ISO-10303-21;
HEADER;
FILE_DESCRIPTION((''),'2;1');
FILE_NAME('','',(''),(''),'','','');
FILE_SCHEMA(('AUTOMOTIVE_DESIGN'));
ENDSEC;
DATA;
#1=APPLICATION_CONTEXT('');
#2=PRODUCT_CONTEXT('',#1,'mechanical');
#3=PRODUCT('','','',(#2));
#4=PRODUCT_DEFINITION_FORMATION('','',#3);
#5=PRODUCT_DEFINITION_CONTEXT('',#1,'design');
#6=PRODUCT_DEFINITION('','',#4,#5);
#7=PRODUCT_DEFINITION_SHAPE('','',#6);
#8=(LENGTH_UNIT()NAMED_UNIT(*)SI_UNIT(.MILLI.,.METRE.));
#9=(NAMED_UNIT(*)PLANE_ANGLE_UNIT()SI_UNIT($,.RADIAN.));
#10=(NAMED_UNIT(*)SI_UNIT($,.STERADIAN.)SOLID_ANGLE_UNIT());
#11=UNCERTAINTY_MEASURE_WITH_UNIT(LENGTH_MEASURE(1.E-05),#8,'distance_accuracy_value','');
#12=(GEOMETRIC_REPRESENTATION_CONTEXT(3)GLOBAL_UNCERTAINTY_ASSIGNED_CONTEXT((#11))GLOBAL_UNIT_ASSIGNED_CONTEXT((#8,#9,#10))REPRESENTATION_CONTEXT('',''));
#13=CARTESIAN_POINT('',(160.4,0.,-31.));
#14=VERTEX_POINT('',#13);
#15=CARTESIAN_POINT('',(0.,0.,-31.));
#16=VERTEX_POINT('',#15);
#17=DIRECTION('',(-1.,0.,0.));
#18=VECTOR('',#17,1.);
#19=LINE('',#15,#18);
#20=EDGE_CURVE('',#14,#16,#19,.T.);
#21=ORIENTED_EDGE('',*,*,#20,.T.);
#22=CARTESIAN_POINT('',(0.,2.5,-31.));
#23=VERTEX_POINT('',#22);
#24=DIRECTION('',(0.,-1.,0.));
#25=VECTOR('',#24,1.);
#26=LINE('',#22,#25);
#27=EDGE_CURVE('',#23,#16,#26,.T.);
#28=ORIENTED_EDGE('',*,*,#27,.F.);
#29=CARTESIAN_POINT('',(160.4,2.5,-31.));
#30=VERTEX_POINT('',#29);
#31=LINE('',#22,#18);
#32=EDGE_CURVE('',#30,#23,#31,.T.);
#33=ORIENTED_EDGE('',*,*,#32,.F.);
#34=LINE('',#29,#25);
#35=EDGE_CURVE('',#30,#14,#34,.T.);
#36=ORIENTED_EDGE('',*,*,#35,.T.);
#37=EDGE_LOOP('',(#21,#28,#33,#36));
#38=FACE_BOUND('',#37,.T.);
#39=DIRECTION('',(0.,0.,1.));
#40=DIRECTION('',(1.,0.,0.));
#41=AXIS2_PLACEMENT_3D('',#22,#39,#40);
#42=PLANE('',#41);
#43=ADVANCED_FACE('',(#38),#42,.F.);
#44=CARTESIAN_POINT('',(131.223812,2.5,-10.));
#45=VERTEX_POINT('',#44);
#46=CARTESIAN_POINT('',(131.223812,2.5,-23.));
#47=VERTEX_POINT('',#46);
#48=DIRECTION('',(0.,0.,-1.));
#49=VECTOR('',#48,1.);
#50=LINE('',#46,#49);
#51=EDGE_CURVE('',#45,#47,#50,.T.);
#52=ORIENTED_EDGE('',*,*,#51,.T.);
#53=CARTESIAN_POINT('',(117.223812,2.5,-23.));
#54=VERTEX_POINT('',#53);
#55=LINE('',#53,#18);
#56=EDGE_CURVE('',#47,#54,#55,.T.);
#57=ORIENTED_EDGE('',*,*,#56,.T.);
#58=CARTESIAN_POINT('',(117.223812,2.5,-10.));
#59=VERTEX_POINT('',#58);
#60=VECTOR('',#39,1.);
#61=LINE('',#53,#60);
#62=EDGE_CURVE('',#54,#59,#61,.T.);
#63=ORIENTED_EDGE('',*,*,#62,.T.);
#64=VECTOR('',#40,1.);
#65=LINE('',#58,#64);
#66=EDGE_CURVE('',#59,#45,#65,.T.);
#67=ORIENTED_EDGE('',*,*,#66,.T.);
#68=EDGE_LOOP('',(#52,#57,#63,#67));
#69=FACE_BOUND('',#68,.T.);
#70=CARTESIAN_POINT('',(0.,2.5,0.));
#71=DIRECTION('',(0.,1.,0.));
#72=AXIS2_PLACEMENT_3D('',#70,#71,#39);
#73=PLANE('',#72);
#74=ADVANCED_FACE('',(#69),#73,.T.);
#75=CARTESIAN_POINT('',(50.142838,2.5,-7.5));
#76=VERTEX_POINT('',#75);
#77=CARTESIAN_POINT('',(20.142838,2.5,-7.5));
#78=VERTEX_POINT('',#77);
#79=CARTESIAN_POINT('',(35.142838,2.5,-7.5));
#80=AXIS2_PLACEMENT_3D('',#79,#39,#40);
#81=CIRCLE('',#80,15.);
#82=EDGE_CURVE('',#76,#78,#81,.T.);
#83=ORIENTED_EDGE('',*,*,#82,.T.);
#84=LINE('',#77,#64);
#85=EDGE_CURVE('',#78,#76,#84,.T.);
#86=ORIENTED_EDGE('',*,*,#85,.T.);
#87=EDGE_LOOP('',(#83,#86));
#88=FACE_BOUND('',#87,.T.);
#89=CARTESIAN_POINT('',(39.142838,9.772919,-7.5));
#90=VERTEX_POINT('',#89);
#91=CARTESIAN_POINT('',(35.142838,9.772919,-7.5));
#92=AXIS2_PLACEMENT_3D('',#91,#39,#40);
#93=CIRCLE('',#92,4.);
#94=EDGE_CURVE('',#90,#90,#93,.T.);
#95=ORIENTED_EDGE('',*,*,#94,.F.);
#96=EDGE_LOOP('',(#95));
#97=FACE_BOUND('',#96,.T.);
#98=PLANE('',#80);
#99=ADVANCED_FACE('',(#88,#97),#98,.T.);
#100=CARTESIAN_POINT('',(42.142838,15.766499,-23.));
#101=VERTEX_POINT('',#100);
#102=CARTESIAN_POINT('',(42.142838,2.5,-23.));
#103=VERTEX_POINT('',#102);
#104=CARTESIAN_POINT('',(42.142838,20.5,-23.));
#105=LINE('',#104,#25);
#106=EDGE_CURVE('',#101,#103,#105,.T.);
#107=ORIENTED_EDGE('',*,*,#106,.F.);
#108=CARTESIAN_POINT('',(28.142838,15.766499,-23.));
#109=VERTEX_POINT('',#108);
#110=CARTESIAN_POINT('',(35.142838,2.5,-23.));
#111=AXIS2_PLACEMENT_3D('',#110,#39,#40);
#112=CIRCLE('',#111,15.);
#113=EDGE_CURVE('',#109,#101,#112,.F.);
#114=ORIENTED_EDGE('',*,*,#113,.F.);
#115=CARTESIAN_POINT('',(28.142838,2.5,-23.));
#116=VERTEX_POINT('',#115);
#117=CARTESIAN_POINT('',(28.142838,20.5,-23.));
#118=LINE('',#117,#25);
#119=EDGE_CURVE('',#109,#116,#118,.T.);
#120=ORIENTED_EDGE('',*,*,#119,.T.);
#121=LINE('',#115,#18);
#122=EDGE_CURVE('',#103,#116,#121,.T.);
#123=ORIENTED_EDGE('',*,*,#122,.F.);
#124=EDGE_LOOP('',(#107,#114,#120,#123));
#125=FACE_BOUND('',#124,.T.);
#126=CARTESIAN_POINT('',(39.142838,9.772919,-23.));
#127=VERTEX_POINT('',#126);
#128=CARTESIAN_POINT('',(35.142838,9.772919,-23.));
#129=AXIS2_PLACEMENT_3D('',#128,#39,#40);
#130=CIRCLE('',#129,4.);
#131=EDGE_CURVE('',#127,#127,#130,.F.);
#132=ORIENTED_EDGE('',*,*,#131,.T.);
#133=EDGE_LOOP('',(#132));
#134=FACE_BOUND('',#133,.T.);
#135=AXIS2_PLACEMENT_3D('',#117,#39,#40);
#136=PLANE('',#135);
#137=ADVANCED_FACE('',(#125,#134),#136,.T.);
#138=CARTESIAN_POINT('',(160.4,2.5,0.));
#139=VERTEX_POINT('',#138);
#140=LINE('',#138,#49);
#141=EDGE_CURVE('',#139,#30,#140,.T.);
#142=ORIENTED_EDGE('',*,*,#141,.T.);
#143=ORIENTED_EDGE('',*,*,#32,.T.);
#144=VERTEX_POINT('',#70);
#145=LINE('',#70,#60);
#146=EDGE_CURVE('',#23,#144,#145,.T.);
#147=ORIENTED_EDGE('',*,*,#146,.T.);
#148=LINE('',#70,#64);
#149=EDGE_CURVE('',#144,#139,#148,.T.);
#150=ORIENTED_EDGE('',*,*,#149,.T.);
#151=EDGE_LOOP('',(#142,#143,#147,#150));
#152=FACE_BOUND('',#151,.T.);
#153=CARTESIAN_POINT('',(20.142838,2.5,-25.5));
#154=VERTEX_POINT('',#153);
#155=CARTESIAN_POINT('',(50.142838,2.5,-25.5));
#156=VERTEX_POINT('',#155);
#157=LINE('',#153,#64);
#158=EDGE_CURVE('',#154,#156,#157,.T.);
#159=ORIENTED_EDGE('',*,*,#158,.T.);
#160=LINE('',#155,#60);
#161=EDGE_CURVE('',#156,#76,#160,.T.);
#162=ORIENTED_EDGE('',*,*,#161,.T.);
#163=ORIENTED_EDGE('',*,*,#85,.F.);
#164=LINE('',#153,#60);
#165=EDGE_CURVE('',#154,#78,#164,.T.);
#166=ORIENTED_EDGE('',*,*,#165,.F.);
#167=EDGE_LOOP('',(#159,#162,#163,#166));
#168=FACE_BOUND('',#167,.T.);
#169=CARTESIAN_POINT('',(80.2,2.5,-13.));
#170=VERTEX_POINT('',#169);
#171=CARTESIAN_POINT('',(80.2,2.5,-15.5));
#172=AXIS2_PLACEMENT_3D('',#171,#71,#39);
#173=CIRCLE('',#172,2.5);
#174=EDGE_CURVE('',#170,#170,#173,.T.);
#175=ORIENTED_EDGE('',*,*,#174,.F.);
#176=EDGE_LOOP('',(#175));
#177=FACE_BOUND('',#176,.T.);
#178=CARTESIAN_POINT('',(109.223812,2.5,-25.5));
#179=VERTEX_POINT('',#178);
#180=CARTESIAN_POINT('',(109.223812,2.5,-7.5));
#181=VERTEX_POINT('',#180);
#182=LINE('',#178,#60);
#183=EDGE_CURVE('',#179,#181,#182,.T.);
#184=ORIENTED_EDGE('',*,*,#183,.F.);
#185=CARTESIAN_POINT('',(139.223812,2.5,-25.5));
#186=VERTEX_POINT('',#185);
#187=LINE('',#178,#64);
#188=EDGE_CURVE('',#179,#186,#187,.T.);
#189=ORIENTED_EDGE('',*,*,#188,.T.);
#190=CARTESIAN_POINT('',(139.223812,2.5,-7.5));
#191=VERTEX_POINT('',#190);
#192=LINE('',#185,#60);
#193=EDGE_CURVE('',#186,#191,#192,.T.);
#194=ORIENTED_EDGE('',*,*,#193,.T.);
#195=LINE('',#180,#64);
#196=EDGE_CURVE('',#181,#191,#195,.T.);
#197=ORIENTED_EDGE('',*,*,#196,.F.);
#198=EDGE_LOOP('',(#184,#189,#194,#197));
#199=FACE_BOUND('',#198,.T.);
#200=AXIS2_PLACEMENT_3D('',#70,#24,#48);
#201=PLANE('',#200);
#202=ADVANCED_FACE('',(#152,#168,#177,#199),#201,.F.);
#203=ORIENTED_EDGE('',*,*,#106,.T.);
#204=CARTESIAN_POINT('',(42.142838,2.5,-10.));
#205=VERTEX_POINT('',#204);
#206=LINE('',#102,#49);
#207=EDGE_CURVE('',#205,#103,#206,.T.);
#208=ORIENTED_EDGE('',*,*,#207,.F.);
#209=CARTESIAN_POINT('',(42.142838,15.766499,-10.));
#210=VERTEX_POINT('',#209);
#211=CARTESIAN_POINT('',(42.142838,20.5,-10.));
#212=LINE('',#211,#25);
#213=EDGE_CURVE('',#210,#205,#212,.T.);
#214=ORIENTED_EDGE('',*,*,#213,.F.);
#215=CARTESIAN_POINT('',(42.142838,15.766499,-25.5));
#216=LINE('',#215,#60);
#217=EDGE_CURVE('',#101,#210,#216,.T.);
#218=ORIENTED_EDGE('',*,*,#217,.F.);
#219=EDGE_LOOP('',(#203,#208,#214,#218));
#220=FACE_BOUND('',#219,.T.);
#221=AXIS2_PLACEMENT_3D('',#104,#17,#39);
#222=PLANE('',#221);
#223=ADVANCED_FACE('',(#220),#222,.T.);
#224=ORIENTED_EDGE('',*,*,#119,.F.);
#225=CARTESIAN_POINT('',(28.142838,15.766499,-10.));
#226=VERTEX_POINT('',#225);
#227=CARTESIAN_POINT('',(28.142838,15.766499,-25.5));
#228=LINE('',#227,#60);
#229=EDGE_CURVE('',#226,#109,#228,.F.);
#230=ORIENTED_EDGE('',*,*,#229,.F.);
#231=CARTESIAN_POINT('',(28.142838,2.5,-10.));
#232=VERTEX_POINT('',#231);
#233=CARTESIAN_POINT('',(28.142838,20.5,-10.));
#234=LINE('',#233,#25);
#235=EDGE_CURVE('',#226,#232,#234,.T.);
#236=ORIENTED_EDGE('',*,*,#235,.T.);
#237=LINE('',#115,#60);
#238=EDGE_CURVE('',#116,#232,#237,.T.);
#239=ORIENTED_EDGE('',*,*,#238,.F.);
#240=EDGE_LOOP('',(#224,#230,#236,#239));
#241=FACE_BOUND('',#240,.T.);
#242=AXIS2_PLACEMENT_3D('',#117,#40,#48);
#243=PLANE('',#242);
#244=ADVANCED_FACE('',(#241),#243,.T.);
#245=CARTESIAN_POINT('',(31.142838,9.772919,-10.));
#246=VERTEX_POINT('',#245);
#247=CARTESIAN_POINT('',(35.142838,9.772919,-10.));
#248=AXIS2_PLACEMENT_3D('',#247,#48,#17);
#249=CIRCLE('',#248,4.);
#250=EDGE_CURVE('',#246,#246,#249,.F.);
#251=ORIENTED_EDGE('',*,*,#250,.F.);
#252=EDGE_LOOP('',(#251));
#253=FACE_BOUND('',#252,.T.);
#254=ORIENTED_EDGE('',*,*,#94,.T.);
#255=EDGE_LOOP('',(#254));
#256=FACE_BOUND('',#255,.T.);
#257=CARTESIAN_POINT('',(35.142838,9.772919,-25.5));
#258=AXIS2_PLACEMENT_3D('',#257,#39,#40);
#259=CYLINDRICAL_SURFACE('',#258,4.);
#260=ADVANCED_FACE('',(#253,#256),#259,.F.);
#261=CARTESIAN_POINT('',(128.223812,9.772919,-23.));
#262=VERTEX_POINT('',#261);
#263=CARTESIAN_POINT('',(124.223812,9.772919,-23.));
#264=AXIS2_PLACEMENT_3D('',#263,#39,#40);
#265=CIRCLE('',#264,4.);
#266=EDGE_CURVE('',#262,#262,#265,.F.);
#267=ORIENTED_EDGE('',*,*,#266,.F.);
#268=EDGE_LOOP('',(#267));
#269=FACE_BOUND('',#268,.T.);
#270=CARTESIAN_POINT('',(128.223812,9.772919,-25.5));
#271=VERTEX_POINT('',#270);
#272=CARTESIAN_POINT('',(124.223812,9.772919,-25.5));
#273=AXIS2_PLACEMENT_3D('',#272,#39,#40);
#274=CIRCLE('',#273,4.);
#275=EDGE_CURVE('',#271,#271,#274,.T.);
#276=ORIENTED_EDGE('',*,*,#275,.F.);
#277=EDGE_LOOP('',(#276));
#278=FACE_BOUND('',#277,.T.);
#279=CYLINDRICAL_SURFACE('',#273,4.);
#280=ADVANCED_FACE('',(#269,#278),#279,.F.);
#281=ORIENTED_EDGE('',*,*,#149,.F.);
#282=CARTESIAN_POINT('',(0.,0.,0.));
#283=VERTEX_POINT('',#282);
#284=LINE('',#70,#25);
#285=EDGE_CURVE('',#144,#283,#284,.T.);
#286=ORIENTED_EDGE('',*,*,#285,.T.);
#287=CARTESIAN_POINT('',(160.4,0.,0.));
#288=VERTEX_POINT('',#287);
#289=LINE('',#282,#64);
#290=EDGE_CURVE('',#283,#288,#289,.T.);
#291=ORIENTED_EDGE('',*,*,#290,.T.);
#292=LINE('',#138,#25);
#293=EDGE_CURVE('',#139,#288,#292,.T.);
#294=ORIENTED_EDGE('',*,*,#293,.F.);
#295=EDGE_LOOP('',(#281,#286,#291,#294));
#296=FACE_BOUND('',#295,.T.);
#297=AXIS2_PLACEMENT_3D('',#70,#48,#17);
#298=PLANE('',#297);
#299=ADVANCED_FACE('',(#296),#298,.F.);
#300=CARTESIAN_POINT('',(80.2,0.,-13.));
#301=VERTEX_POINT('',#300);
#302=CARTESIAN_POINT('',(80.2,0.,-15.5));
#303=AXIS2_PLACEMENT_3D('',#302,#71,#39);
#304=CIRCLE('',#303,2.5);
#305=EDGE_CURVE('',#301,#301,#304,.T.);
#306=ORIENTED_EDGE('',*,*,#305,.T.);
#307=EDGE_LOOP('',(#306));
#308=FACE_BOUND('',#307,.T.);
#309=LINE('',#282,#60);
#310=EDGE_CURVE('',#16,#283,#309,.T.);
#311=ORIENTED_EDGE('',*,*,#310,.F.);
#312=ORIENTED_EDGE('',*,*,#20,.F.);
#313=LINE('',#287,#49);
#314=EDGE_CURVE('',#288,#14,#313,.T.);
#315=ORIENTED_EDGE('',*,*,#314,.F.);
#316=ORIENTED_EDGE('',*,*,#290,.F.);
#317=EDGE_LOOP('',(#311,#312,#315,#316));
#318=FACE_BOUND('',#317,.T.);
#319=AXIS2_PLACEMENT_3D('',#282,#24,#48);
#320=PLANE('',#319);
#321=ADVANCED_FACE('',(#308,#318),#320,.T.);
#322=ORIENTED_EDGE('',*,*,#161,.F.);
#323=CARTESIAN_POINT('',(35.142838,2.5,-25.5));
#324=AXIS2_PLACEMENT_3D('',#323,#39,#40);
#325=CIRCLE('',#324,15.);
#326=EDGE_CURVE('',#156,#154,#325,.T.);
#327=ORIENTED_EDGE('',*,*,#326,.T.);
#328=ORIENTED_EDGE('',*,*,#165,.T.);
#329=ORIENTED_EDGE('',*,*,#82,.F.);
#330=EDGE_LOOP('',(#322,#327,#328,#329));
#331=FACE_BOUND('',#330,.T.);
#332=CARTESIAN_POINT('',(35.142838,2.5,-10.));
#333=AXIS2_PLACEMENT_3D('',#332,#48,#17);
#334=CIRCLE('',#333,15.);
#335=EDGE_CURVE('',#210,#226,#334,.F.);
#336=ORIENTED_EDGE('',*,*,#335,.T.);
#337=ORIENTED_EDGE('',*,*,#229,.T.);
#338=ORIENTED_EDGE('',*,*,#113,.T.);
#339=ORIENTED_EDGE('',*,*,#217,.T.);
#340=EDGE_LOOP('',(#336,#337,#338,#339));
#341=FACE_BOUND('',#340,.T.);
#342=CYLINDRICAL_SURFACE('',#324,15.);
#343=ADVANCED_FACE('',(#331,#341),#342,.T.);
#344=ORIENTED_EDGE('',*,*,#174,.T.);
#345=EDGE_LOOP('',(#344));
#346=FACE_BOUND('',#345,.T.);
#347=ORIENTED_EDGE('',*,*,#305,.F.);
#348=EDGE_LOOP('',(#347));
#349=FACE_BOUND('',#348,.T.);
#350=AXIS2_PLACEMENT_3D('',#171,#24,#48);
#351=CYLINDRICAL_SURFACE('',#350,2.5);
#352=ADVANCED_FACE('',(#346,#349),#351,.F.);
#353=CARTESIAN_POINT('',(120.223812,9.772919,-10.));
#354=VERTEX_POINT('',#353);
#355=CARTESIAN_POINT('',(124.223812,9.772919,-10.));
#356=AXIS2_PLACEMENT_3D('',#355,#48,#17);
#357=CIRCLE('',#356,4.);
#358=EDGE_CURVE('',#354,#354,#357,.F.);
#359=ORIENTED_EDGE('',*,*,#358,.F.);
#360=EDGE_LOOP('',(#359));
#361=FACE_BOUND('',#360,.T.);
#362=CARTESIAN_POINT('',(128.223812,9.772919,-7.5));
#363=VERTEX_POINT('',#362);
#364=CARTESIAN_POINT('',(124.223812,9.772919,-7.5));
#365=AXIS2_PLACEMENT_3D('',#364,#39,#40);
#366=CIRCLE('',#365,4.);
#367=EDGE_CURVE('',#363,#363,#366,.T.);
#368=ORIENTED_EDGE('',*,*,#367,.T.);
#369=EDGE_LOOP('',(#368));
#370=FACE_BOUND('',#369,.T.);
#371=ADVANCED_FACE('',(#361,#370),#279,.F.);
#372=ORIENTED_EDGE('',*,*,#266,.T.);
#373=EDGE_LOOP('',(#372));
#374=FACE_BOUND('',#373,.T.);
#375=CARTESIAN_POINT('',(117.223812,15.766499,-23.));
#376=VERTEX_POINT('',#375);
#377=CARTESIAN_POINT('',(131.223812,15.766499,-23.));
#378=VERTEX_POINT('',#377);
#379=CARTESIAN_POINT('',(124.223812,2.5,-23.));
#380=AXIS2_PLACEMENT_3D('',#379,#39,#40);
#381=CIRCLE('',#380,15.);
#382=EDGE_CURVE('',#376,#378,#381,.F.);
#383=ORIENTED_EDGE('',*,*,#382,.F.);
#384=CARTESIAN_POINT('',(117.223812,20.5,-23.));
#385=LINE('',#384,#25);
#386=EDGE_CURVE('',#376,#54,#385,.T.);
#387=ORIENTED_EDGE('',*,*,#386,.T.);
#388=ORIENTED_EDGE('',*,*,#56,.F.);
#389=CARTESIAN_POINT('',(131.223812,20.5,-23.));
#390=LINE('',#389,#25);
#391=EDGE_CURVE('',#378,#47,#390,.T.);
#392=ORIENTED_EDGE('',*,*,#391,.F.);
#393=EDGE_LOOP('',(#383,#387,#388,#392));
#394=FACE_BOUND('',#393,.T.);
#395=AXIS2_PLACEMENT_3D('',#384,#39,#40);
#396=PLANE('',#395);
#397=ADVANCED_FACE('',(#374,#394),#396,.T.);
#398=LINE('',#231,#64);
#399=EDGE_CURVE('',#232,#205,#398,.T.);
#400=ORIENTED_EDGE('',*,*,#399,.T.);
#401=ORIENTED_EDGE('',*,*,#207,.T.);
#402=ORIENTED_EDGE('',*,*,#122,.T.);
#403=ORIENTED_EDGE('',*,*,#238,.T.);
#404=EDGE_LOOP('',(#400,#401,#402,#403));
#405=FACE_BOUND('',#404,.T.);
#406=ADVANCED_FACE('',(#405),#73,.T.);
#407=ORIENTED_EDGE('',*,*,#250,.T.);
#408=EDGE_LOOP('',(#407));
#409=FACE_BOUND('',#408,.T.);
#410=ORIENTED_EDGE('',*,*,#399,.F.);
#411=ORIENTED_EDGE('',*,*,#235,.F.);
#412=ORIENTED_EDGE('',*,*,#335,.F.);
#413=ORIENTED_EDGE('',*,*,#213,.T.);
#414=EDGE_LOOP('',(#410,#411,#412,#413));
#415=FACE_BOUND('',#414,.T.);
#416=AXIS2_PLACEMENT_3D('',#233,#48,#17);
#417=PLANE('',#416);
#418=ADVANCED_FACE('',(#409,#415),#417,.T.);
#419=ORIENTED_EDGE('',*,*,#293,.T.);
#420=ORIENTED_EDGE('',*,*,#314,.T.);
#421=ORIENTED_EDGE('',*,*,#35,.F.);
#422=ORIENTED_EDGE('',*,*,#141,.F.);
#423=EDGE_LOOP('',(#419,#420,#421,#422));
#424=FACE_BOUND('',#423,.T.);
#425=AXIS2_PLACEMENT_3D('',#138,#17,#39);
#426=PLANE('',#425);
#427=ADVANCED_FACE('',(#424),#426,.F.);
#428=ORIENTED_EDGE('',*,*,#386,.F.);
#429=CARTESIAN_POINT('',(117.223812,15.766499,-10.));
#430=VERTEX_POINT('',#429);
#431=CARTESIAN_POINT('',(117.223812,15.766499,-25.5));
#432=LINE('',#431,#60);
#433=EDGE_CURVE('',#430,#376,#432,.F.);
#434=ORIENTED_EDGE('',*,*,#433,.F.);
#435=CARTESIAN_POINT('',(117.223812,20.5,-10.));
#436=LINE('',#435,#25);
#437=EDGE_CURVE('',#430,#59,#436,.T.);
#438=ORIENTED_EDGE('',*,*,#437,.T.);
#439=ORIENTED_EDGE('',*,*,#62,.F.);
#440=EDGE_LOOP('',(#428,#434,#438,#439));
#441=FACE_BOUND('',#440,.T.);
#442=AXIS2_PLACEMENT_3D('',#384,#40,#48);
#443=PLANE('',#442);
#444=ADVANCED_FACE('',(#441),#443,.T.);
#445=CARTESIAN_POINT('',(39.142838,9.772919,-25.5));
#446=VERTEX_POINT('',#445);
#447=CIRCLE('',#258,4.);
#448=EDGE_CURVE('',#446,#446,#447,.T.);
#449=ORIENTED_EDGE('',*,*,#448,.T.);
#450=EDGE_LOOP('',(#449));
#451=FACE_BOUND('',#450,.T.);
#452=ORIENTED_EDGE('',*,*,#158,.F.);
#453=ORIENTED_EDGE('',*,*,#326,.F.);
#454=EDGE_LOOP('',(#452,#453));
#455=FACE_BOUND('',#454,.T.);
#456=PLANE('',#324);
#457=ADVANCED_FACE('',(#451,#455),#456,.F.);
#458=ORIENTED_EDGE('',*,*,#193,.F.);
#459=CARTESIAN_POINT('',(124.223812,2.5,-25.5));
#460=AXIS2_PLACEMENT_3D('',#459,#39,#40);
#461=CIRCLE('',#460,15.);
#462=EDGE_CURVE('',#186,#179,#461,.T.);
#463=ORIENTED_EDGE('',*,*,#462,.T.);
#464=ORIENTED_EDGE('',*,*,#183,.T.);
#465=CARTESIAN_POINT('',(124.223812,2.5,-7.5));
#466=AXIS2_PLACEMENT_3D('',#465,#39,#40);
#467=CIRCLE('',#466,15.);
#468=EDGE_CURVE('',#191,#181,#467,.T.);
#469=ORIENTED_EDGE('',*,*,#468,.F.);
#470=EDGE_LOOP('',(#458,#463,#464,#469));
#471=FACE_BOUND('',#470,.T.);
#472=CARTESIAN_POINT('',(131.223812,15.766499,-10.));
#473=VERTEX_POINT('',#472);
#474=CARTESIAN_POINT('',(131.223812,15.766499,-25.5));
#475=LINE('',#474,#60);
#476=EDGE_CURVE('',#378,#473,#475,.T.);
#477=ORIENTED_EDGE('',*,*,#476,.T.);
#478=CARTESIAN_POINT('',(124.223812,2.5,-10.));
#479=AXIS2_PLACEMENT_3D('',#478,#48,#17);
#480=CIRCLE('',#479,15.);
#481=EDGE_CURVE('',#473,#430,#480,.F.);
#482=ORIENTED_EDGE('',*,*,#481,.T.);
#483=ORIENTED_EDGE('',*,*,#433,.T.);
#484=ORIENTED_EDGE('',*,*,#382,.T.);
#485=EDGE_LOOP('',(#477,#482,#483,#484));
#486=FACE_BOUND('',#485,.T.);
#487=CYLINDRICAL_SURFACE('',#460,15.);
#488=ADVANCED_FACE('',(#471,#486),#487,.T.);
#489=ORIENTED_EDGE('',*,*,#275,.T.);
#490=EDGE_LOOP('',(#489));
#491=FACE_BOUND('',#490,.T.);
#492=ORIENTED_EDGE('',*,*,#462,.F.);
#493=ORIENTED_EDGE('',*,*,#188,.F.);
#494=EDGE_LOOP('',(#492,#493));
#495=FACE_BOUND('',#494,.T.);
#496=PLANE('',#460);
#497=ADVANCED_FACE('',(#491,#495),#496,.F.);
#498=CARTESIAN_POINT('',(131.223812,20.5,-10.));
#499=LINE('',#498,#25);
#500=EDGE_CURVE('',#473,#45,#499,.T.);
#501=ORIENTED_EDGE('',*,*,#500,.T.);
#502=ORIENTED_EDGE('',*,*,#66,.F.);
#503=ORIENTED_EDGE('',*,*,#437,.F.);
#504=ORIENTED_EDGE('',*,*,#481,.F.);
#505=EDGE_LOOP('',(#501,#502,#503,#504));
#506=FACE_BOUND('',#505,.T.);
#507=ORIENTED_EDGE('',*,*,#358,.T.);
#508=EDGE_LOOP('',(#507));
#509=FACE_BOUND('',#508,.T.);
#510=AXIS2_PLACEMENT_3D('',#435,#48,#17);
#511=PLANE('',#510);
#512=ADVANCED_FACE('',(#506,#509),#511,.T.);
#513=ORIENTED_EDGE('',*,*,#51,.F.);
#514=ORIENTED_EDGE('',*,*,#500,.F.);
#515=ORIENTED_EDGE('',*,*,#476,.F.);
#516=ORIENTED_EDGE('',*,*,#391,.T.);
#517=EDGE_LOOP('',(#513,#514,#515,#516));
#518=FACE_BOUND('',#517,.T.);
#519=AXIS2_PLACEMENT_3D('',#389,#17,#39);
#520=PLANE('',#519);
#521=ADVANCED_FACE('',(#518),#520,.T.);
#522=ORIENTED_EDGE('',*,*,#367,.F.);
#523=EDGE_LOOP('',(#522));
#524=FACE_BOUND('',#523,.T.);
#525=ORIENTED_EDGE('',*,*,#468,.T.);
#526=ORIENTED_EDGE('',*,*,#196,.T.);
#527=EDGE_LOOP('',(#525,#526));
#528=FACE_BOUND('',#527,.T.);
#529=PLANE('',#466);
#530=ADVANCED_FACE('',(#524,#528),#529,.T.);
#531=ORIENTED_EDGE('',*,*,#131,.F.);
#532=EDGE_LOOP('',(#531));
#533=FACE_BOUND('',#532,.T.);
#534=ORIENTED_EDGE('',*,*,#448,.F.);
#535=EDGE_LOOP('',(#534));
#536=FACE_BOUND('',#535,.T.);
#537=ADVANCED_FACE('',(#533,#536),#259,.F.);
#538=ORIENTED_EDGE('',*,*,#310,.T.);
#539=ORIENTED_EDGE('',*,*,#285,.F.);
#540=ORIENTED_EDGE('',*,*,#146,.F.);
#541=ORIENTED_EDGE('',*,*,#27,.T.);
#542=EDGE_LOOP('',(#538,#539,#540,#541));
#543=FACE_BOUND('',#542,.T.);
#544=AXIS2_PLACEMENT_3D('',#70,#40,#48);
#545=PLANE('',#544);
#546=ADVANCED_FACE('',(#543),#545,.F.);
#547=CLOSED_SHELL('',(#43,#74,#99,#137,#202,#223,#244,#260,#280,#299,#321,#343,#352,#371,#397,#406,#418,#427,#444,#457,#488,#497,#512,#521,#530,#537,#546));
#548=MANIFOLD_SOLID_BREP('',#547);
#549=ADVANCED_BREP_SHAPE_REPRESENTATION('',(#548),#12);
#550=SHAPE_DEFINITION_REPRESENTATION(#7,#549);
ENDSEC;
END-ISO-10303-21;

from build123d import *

# Parameters (mm, degrees)
SKETCH1_W           = 160.4
SKETCH1_H           = 31
SKETCH1_R           = 2.5
BOSS_EXTRUDE1_DEPTH = 2.5
BOSS_EXTRUDE2_START = -7.5
SKETCH2_R           = 4
BOSS_EXTRUDE2_DEPTH = 18
SKETCH3_W           = 14
SKETCH3_H           = 13
CUT_EXTRUDE1_DEPTH  = 18


with BuildPart() as part:
    # Sketch1 → Boss-Extrude1 (new body)
    with BuildSketch(Plane(origin=(0, 0, 0), x_dir=(1, 0, 0), z_dir=(0, 1, 0))):
        with Locations((80.2, 15.5)):
            Rectangle(SKETCH1_W, SKETCH1_H)
        with Locations((80.2, 15.5)):
            Circle(SKETCH1_R, mode=Mode.SUBTRACT)
    extrude(amount=BOSS_EXTRUDE1_DEPTH)

    # Sketch2 → Boss-Extrude2 (add)
    with BuildSketch(Plane.XY.offset(BOSS_EXTRUDE2_START)):
        with BuildLine():
            Line((20.142837701, 2.5), (50.142837701, 2.5))
            ThreePointArc((50.142837701, 2.5), (35.142837701, 17.5), (20.142837701, 2.5))
        make_face()
        with Locations((35.142837701, 9.772919339)):
            Circle(SKETCH2_R, mode=Mode.SUBTRACT)
        with BuildLine():
            Line((109.22381187, 2.5), (139.22381187, 2.5))
            ThreePointArc((139.22381187, 2.5), (124.22381187, 17.5), (109.22381187, 2.5))
        make_face()
        with Locations((124.22381187, 9.772919339)):
            Circle(SKETCH2_R, mode=Mode.SUBTRACT)
    extrude(amount=-BOSS_EXTRUDE2_DEPTH)

    # Sketch3 → Cut-Extrude1 (cut)
    with BuildSketch(Plane(origin=(0, 2.5, 0), x_dir=(1, 0, 0), z_dir=(0, 1, 0))):
        with Locations((35.142837701, 16.5)):
            Rectangle(SKETCH3_W, SKETCH3_H)
        with Locations((124.22381187, 16.5)):
            Rectangle(SKETCH3_W, SKETCH3_H)
    extrude(amount=CUT_EXTRUDE1_DEPTH, mode=Mode.SUBTRACT)


solid = part.part
